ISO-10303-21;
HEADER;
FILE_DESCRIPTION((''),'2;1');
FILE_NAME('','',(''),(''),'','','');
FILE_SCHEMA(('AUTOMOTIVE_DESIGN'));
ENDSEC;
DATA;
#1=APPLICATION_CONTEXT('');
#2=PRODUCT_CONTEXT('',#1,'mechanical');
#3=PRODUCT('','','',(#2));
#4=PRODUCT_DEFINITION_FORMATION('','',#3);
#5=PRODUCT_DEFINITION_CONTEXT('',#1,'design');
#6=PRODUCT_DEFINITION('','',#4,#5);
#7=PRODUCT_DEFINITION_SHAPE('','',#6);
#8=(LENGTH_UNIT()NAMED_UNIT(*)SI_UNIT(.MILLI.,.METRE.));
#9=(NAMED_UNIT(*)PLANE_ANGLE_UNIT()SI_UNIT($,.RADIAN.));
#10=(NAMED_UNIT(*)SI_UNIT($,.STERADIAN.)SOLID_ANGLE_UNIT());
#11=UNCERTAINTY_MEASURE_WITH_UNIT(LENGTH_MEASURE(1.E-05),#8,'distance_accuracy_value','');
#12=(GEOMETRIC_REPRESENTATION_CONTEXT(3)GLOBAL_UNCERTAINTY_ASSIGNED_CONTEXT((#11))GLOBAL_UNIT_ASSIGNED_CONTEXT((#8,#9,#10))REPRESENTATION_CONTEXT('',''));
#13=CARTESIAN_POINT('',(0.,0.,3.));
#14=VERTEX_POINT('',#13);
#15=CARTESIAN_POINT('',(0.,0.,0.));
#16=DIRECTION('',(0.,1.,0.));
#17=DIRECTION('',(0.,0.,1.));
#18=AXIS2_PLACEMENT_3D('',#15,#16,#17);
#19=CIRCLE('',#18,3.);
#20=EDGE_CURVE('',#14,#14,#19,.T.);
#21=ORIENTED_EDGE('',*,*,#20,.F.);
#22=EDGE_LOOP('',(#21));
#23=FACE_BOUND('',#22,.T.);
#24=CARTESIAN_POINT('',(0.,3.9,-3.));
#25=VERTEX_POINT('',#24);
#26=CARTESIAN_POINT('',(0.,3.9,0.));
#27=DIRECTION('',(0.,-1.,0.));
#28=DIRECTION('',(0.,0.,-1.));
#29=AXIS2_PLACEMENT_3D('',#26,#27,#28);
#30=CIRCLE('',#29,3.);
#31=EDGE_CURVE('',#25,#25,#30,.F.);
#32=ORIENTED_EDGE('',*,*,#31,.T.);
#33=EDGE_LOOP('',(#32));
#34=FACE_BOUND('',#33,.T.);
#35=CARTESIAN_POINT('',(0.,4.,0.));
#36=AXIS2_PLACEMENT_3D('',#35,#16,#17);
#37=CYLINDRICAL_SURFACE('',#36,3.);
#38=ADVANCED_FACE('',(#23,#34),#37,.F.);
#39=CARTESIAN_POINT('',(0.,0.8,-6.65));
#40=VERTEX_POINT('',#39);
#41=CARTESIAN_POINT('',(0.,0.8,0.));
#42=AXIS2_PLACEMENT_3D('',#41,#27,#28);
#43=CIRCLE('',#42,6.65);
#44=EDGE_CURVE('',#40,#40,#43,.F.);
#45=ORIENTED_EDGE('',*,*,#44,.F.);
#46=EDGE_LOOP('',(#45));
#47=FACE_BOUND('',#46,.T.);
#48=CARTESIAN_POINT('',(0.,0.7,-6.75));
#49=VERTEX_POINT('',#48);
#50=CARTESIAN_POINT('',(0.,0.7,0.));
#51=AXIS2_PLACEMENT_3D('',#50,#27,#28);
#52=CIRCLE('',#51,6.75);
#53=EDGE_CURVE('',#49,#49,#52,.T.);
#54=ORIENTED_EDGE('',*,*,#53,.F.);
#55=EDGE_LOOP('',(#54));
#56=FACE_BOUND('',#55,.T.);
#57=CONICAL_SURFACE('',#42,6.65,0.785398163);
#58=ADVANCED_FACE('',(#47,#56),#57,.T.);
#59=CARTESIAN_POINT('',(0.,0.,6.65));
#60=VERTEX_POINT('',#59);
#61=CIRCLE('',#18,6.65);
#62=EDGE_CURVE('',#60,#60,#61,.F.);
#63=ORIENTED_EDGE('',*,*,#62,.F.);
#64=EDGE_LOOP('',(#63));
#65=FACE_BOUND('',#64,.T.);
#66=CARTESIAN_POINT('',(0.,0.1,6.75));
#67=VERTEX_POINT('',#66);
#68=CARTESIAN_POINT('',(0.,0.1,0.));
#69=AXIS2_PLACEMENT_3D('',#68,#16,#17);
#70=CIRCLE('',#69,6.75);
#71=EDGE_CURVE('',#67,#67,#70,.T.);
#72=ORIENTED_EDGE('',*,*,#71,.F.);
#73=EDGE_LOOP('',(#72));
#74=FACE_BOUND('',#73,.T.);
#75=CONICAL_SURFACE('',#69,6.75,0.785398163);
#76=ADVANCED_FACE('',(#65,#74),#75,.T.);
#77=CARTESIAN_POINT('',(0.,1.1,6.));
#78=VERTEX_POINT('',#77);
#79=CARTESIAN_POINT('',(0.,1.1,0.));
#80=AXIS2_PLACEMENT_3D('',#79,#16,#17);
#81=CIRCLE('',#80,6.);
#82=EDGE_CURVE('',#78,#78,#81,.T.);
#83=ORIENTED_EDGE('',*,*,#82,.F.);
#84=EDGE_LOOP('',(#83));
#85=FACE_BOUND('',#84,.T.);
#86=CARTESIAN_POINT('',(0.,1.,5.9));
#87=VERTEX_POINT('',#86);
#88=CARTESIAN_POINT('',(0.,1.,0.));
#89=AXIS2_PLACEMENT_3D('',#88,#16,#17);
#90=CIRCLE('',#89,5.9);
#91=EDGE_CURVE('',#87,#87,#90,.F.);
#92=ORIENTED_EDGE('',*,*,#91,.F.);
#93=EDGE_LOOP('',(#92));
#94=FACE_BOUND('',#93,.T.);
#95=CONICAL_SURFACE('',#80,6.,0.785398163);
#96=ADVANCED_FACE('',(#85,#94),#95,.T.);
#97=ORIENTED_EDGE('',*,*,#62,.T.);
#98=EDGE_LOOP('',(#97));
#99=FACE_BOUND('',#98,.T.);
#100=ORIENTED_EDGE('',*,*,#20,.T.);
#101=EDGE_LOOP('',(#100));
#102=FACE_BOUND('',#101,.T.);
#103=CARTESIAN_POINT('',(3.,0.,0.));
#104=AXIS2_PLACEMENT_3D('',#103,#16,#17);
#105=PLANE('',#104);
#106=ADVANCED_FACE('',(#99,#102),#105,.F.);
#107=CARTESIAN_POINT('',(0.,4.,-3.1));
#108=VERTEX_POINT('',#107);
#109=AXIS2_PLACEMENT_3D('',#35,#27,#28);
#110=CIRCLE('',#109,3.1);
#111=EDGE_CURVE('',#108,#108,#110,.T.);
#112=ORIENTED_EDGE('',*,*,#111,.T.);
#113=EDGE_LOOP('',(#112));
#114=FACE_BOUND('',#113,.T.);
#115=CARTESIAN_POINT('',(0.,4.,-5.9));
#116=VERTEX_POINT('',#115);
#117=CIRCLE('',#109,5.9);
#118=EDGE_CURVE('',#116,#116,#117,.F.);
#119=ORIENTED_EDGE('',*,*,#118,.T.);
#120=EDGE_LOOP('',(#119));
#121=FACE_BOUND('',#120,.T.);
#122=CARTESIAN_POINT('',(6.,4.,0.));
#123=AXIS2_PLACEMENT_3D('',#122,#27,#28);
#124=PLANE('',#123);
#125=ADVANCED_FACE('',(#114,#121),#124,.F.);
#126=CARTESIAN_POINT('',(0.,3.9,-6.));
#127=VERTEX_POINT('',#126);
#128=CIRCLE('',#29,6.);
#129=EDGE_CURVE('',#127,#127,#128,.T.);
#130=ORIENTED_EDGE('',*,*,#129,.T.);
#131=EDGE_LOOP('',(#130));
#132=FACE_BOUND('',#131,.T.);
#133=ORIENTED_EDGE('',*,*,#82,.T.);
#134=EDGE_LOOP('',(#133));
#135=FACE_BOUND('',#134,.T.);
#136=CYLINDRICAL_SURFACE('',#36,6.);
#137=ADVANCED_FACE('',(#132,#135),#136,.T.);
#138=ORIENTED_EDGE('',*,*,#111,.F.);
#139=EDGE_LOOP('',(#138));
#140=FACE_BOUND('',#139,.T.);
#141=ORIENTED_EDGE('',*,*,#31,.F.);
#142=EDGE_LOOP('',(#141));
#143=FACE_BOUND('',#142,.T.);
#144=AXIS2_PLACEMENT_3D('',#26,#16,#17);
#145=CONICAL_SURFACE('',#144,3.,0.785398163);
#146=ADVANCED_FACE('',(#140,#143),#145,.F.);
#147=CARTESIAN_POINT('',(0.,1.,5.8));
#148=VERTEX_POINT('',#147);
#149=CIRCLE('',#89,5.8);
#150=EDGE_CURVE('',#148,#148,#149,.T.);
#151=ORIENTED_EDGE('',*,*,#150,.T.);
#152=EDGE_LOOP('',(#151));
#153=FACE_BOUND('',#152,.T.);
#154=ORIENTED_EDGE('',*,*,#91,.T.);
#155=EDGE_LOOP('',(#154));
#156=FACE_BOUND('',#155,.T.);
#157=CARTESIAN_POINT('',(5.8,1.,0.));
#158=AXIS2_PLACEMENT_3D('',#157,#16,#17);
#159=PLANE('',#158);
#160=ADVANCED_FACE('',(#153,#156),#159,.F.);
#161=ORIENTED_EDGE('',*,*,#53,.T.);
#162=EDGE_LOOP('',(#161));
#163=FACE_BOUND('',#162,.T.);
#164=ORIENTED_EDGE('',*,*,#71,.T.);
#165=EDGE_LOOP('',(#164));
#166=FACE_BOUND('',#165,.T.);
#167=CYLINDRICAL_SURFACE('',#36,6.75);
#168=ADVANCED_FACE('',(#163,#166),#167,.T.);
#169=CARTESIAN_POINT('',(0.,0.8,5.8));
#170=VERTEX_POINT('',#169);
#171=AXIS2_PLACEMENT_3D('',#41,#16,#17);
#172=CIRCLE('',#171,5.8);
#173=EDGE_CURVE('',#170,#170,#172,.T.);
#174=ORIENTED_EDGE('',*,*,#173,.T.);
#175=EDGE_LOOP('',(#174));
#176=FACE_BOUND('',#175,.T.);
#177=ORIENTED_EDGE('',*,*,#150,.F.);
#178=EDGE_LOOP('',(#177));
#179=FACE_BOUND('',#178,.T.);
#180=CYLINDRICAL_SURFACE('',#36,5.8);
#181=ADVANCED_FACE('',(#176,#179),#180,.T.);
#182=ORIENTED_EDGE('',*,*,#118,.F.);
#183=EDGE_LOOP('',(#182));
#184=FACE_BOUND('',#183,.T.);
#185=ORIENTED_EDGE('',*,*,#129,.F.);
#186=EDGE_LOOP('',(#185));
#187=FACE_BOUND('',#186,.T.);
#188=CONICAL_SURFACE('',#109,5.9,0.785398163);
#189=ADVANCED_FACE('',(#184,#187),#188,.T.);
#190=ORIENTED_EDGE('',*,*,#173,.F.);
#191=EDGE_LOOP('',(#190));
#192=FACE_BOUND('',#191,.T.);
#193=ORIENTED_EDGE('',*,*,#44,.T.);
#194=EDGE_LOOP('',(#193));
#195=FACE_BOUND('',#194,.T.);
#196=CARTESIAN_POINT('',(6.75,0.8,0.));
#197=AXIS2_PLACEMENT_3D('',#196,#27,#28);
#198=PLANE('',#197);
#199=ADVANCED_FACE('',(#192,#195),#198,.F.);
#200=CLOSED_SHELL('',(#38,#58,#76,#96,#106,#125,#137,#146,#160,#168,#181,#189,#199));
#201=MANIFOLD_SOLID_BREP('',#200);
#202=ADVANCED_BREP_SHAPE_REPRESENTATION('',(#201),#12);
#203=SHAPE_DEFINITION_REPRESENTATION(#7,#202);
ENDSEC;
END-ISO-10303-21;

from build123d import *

# Parameters (mm, degrees)
CHAMFER_2_SIZE = 0.1


with BuildPart() as part:
    # 草图2 → 旋转1 (revolve)
    with BuildSketch(Plane.XY, mode=Mode.PRIVATE) as revolve_1_sk:
        Polygon((3, 4), (3, 0), (6.75, 0), (6.75, 0.8), (5.8, 0.8), (5.8, 1), (6, 1), (6, 4), align=None)
    revolve(revolve_1_sk.sketch.rotate(Axis((0, 4, 0), (0, -1, 0)), 90), axis=Axis((0, 4, 0), (0, -1, 0)))

    # 倒角2
    chamfer_2_edges = [part.edges().sort_by_distance(p)[0] for p in [
        (0, 0, -6.75),
        (0, 4, -3),
        (0, 4, -6),
        (0, 1, -6),
        (0, 0.8, -6.75),
    ]]
    chamfer(chamfer_2_edges, length=CHAMFER_2_SIZE)


solid = part.part
